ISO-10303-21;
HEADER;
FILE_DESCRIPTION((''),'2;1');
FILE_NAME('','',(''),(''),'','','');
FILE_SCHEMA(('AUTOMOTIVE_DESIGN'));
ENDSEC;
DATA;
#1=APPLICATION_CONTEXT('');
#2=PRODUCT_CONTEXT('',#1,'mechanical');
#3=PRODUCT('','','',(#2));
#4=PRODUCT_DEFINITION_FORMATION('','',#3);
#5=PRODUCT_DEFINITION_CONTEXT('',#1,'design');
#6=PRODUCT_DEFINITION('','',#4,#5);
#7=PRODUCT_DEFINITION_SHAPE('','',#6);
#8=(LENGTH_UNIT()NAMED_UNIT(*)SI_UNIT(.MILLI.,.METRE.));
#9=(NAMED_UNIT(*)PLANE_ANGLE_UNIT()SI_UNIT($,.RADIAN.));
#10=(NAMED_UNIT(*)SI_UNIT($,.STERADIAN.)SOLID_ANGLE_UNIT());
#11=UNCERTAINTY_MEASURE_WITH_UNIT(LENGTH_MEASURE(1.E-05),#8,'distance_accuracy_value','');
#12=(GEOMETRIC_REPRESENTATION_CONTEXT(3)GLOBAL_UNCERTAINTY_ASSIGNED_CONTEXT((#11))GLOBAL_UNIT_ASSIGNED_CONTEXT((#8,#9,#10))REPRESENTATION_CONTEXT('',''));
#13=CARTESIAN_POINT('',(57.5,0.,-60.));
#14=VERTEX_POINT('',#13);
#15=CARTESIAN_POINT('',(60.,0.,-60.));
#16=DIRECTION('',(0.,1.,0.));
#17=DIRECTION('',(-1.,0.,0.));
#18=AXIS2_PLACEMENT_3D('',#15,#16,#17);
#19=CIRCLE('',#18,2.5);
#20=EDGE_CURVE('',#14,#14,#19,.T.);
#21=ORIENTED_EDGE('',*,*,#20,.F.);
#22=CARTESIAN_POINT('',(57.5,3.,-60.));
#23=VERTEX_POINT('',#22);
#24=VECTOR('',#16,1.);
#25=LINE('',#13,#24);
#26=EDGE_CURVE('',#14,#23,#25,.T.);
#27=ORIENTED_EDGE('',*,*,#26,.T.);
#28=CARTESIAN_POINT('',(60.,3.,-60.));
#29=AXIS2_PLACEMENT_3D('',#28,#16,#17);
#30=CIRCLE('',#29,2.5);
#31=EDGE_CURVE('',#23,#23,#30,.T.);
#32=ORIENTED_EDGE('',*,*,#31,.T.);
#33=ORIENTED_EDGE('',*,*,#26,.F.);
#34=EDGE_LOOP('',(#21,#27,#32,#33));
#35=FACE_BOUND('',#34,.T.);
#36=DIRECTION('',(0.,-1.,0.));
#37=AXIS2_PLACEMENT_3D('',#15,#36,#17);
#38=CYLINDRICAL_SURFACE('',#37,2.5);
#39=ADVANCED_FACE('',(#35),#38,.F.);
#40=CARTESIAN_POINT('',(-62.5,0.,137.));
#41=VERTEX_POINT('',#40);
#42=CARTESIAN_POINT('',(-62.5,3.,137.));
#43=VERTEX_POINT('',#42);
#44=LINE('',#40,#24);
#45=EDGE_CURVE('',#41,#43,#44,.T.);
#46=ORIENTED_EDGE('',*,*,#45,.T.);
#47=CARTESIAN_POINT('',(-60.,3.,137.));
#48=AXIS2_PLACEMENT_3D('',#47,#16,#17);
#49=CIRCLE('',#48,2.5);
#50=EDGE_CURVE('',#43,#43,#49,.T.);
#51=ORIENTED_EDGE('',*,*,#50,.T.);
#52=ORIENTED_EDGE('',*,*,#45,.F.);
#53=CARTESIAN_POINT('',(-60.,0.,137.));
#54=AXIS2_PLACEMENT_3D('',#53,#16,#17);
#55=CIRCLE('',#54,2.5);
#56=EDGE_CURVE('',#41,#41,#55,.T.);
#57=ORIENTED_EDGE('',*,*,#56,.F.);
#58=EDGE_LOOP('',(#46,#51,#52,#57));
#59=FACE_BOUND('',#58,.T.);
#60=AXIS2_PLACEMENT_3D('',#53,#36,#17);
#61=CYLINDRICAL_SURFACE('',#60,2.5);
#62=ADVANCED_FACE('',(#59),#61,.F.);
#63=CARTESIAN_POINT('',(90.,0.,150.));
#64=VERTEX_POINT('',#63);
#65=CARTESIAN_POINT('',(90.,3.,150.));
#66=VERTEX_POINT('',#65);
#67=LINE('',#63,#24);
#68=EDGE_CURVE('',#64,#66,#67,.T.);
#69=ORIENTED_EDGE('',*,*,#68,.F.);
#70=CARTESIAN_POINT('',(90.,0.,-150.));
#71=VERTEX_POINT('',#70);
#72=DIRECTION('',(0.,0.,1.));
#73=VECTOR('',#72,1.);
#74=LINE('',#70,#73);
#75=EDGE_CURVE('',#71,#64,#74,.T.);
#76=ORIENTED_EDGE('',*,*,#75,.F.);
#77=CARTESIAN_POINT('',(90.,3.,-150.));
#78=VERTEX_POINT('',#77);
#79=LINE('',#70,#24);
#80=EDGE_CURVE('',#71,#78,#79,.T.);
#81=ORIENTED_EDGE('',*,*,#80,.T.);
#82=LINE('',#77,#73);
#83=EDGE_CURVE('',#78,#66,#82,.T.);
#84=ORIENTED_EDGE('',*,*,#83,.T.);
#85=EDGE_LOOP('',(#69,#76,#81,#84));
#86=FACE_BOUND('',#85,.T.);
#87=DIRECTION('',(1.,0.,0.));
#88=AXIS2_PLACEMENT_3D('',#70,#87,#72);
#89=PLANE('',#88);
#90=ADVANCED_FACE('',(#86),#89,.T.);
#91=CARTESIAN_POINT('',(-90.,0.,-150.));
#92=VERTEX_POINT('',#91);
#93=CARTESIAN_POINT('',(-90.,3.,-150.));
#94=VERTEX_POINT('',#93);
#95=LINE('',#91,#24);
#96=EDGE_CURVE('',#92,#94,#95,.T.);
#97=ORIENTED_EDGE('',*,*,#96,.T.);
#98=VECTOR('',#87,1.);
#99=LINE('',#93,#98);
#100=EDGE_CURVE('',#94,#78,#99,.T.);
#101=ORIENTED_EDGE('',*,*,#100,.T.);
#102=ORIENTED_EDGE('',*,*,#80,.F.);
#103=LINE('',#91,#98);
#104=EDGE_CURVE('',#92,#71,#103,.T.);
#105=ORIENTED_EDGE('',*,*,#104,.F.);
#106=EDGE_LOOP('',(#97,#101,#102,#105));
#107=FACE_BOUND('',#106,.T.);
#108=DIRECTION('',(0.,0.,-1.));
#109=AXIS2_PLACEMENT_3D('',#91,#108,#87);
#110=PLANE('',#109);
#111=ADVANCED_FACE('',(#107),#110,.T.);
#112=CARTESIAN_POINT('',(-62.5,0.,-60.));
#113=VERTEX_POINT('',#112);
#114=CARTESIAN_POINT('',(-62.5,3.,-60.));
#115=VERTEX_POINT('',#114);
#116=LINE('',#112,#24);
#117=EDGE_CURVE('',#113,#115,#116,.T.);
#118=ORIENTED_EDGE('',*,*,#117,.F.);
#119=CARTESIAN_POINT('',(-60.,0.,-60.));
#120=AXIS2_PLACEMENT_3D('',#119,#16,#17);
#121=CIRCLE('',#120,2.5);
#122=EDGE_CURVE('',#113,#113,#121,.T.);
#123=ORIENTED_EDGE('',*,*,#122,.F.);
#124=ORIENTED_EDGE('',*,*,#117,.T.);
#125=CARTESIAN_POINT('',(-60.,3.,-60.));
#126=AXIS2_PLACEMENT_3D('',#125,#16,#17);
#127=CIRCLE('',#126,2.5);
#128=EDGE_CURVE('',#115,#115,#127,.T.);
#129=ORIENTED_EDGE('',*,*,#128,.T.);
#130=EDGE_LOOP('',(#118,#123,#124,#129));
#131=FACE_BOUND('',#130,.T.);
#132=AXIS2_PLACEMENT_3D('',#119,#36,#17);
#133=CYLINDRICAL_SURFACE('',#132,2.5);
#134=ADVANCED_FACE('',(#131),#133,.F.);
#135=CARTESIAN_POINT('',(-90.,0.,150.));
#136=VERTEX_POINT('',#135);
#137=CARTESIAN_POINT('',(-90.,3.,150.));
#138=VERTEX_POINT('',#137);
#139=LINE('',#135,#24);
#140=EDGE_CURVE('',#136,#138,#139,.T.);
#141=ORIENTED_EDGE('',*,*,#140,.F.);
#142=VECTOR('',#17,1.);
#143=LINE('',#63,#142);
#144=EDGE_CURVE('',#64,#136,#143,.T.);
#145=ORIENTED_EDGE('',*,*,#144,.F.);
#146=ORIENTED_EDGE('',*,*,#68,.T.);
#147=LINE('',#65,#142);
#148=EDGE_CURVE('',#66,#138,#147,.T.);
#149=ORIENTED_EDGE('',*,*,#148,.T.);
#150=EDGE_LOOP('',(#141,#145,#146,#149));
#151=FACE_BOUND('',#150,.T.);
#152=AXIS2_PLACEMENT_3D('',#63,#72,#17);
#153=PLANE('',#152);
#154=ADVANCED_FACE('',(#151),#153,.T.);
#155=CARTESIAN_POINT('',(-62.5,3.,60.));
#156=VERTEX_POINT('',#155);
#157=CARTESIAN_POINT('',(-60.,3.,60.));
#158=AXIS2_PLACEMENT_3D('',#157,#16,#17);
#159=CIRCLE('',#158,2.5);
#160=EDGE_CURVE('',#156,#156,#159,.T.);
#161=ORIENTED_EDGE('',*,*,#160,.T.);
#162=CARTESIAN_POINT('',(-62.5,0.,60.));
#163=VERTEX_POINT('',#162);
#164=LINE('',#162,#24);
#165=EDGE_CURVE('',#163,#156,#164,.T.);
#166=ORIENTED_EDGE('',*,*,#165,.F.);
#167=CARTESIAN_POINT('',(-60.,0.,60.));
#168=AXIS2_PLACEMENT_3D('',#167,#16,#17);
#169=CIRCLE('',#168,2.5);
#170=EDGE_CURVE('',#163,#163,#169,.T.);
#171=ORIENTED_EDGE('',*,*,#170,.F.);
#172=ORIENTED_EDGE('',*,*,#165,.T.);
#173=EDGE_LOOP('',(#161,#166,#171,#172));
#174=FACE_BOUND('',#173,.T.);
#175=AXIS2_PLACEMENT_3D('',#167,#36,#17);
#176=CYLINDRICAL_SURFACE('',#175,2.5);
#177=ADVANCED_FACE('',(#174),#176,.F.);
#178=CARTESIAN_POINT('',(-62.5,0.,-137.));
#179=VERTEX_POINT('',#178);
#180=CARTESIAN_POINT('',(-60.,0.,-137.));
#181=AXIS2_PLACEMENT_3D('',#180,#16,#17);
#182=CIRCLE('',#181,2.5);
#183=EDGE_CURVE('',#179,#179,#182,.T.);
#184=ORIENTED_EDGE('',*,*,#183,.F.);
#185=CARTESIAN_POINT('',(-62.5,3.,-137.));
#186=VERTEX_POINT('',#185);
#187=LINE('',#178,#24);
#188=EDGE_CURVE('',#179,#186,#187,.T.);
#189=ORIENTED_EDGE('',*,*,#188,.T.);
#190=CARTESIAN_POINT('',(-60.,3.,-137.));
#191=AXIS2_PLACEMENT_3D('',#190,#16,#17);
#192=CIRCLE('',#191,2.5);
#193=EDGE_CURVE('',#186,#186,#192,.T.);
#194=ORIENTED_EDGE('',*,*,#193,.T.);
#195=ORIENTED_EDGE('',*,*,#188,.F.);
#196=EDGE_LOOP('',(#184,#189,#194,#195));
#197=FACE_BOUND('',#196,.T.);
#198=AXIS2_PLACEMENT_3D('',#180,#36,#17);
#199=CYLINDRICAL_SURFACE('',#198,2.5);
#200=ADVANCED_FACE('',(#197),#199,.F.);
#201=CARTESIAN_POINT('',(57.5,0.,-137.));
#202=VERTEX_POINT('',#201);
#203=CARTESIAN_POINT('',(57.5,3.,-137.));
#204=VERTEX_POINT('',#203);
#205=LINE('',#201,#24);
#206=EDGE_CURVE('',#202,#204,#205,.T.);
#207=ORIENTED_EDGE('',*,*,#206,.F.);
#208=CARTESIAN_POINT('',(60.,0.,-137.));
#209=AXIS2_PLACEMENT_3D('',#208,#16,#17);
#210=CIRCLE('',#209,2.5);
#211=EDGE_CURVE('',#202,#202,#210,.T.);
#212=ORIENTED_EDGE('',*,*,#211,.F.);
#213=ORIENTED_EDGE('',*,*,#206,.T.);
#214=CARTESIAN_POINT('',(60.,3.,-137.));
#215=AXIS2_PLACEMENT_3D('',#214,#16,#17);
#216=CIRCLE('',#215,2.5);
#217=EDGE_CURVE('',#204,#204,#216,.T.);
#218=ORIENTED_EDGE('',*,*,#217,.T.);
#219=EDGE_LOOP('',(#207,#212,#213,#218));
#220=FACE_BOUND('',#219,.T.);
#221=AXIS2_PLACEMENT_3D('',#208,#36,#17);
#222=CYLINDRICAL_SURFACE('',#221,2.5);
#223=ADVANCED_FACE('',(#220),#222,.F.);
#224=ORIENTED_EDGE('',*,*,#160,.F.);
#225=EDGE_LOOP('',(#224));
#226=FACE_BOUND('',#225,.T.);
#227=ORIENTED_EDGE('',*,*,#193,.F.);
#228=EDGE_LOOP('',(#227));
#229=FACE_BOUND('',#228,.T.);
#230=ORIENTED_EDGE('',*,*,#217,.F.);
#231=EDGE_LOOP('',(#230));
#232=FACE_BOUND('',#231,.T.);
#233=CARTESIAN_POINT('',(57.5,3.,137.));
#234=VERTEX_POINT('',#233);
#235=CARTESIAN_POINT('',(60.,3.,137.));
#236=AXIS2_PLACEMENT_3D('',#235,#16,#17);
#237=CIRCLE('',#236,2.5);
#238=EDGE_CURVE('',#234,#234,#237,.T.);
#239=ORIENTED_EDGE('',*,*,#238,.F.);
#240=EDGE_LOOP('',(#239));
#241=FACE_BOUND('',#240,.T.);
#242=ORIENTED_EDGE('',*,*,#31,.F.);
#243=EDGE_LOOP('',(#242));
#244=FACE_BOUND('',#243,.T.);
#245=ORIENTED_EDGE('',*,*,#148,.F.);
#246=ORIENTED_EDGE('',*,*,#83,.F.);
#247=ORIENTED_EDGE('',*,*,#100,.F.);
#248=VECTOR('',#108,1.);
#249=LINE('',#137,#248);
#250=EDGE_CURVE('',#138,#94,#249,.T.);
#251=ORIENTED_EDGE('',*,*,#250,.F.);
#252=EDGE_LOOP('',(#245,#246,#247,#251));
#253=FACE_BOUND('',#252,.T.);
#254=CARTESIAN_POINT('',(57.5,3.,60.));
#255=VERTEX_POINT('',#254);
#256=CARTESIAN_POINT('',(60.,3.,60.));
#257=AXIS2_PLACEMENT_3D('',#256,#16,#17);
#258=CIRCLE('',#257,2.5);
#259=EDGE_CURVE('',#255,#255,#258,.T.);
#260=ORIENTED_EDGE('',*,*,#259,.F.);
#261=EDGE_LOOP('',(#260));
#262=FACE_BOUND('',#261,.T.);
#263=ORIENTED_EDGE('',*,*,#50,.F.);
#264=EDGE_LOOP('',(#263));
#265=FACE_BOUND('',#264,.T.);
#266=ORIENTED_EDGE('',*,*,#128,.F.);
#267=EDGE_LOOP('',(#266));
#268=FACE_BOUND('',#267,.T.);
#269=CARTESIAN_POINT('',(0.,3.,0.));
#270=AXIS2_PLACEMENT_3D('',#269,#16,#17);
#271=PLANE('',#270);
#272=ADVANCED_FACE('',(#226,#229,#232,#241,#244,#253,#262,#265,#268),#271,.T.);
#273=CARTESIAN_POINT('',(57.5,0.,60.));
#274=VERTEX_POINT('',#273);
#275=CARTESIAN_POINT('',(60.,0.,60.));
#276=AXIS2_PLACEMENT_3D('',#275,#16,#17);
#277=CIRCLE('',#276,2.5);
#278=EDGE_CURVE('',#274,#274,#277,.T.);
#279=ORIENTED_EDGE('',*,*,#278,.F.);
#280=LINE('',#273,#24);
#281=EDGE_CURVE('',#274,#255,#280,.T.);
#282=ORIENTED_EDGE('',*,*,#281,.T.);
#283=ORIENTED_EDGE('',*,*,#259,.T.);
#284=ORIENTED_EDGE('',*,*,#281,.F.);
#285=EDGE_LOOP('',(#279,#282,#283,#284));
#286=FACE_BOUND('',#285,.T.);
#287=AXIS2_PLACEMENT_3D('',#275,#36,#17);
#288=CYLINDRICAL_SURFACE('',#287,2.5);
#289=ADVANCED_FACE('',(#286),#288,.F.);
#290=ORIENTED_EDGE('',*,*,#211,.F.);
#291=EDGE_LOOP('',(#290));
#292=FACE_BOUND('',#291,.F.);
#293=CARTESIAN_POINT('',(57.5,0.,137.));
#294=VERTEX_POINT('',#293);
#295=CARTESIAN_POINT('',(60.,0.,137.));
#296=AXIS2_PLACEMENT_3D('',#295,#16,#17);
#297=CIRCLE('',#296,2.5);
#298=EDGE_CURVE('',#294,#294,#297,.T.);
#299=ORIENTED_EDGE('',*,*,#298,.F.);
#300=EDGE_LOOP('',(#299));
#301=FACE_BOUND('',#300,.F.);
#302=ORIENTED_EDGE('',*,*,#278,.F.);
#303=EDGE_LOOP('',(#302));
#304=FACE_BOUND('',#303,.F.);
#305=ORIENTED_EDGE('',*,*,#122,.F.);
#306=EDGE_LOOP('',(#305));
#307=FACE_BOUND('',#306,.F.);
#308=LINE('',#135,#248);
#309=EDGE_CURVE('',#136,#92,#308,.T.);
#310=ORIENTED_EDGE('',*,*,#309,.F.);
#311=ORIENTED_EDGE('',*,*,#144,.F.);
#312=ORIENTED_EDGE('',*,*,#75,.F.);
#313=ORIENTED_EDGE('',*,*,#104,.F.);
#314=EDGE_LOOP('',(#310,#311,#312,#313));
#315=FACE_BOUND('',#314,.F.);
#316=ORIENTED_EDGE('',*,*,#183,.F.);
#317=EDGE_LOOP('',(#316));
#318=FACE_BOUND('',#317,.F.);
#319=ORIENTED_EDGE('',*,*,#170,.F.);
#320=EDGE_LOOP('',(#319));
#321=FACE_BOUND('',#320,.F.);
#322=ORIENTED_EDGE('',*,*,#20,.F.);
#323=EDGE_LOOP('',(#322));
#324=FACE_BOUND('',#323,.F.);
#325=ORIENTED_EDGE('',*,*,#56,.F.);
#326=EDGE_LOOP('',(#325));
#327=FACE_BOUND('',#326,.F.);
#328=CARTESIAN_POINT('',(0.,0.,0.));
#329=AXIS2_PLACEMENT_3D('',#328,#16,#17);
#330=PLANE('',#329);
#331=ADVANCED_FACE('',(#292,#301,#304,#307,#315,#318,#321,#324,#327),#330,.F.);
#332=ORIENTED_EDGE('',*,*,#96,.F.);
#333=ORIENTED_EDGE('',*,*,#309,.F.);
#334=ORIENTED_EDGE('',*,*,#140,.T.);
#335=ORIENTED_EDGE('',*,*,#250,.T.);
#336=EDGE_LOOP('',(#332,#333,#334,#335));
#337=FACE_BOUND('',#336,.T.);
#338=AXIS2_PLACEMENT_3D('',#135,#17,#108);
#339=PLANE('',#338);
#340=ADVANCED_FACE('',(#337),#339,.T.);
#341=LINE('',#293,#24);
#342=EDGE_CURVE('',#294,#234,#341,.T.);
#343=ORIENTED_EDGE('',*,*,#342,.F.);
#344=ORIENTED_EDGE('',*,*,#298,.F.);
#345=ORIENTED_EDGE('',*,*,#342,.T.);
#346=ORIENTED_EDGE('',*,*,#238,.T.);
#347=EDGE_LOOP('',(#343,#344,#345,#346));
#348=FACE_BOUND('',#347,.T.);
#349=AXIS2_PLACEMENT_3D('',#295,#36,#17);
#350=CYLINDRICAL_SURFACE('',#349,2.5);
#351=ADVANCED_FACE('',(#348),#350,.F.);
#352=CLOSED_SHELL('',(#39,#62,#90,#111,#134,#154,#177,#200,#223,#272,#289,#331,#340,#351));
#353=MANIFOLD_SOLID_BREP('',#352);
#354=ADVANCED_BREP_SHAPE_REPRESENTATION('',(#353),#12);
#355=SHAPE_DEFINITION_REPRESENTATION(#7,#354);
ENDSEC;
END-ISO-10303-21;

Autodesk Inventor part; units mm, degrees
ref_plane "YZ Plane" through (0, 0, 0) normal (1, 0, 0) x (0, 1, 0)
ref_plane "XZ Plane" through (0, 0, 0) normal (0, 1, 0) x (-1, 0, 0)
ref_plane "XY Plane" through (0, 0, 0) normal (0, 0, 1) x (1, 0, 0)
sketch "Sketch1" plane through (0, 0, 0) normal (0, 1, 0) x (-1, 0, 0)
  line L0 (-90, 150) -> (90, 150)
  line L1 (90, 150) -> (90, -150)
  line L2 (90, -150) -> (-90, -150)
  line L3 (-90, -150) -> (-90, 150)
  line L4 (-90, 150) -> (90, -150) construction
  line L5 (90, 150) -> (-90, -150) construction
  line L6 (-60, 60) -> (60, 60) construction
  line L7 (60, 60) -> (60, -60) construction
  line L8 (60, -60) -> (-60, -60) construction
  line L9 (-60, -60) -> (-60, 60) construction
  line L10 (-60, 60) -> (60, -60) construction
  line L11 (60, 60) -> (-60, -60) construction
  circle A0 centre (-60, 60) radius 2.5
  circle A1 centre (60, 60) radius 2.5
  circle A2 centre (60, -60) radius 2.5
  circle A3 centre (-60, -60) radius 2.5
  circle A4 centre (60, -137) radius 2.5
  circle A5 centre (-60, -137) radius 2.5
  circle A6 centre (60, 137) radius 2.5
  circle A7 centre (-60, 137) radius 2.5
  point P0 (0, 0)
  dimension "d0" = 180
  dimension "d1" = 300
  dimension "d2" = 120
  dimension "d3" = 120
  dimension "d4" = 5
  dimension "d5" = 5
  dimension "d6" = 5
  dimension "d7" = 5
  dimension "d10" = 5
  dimension "d13" = 120
  dimension "d16" = 274
  dimension "d19" = 13
  dimension "d20" = 30
extrude "Extrusion1" add sketch "Sketch1" along normal blind 3
properties part number "Base Plate"
